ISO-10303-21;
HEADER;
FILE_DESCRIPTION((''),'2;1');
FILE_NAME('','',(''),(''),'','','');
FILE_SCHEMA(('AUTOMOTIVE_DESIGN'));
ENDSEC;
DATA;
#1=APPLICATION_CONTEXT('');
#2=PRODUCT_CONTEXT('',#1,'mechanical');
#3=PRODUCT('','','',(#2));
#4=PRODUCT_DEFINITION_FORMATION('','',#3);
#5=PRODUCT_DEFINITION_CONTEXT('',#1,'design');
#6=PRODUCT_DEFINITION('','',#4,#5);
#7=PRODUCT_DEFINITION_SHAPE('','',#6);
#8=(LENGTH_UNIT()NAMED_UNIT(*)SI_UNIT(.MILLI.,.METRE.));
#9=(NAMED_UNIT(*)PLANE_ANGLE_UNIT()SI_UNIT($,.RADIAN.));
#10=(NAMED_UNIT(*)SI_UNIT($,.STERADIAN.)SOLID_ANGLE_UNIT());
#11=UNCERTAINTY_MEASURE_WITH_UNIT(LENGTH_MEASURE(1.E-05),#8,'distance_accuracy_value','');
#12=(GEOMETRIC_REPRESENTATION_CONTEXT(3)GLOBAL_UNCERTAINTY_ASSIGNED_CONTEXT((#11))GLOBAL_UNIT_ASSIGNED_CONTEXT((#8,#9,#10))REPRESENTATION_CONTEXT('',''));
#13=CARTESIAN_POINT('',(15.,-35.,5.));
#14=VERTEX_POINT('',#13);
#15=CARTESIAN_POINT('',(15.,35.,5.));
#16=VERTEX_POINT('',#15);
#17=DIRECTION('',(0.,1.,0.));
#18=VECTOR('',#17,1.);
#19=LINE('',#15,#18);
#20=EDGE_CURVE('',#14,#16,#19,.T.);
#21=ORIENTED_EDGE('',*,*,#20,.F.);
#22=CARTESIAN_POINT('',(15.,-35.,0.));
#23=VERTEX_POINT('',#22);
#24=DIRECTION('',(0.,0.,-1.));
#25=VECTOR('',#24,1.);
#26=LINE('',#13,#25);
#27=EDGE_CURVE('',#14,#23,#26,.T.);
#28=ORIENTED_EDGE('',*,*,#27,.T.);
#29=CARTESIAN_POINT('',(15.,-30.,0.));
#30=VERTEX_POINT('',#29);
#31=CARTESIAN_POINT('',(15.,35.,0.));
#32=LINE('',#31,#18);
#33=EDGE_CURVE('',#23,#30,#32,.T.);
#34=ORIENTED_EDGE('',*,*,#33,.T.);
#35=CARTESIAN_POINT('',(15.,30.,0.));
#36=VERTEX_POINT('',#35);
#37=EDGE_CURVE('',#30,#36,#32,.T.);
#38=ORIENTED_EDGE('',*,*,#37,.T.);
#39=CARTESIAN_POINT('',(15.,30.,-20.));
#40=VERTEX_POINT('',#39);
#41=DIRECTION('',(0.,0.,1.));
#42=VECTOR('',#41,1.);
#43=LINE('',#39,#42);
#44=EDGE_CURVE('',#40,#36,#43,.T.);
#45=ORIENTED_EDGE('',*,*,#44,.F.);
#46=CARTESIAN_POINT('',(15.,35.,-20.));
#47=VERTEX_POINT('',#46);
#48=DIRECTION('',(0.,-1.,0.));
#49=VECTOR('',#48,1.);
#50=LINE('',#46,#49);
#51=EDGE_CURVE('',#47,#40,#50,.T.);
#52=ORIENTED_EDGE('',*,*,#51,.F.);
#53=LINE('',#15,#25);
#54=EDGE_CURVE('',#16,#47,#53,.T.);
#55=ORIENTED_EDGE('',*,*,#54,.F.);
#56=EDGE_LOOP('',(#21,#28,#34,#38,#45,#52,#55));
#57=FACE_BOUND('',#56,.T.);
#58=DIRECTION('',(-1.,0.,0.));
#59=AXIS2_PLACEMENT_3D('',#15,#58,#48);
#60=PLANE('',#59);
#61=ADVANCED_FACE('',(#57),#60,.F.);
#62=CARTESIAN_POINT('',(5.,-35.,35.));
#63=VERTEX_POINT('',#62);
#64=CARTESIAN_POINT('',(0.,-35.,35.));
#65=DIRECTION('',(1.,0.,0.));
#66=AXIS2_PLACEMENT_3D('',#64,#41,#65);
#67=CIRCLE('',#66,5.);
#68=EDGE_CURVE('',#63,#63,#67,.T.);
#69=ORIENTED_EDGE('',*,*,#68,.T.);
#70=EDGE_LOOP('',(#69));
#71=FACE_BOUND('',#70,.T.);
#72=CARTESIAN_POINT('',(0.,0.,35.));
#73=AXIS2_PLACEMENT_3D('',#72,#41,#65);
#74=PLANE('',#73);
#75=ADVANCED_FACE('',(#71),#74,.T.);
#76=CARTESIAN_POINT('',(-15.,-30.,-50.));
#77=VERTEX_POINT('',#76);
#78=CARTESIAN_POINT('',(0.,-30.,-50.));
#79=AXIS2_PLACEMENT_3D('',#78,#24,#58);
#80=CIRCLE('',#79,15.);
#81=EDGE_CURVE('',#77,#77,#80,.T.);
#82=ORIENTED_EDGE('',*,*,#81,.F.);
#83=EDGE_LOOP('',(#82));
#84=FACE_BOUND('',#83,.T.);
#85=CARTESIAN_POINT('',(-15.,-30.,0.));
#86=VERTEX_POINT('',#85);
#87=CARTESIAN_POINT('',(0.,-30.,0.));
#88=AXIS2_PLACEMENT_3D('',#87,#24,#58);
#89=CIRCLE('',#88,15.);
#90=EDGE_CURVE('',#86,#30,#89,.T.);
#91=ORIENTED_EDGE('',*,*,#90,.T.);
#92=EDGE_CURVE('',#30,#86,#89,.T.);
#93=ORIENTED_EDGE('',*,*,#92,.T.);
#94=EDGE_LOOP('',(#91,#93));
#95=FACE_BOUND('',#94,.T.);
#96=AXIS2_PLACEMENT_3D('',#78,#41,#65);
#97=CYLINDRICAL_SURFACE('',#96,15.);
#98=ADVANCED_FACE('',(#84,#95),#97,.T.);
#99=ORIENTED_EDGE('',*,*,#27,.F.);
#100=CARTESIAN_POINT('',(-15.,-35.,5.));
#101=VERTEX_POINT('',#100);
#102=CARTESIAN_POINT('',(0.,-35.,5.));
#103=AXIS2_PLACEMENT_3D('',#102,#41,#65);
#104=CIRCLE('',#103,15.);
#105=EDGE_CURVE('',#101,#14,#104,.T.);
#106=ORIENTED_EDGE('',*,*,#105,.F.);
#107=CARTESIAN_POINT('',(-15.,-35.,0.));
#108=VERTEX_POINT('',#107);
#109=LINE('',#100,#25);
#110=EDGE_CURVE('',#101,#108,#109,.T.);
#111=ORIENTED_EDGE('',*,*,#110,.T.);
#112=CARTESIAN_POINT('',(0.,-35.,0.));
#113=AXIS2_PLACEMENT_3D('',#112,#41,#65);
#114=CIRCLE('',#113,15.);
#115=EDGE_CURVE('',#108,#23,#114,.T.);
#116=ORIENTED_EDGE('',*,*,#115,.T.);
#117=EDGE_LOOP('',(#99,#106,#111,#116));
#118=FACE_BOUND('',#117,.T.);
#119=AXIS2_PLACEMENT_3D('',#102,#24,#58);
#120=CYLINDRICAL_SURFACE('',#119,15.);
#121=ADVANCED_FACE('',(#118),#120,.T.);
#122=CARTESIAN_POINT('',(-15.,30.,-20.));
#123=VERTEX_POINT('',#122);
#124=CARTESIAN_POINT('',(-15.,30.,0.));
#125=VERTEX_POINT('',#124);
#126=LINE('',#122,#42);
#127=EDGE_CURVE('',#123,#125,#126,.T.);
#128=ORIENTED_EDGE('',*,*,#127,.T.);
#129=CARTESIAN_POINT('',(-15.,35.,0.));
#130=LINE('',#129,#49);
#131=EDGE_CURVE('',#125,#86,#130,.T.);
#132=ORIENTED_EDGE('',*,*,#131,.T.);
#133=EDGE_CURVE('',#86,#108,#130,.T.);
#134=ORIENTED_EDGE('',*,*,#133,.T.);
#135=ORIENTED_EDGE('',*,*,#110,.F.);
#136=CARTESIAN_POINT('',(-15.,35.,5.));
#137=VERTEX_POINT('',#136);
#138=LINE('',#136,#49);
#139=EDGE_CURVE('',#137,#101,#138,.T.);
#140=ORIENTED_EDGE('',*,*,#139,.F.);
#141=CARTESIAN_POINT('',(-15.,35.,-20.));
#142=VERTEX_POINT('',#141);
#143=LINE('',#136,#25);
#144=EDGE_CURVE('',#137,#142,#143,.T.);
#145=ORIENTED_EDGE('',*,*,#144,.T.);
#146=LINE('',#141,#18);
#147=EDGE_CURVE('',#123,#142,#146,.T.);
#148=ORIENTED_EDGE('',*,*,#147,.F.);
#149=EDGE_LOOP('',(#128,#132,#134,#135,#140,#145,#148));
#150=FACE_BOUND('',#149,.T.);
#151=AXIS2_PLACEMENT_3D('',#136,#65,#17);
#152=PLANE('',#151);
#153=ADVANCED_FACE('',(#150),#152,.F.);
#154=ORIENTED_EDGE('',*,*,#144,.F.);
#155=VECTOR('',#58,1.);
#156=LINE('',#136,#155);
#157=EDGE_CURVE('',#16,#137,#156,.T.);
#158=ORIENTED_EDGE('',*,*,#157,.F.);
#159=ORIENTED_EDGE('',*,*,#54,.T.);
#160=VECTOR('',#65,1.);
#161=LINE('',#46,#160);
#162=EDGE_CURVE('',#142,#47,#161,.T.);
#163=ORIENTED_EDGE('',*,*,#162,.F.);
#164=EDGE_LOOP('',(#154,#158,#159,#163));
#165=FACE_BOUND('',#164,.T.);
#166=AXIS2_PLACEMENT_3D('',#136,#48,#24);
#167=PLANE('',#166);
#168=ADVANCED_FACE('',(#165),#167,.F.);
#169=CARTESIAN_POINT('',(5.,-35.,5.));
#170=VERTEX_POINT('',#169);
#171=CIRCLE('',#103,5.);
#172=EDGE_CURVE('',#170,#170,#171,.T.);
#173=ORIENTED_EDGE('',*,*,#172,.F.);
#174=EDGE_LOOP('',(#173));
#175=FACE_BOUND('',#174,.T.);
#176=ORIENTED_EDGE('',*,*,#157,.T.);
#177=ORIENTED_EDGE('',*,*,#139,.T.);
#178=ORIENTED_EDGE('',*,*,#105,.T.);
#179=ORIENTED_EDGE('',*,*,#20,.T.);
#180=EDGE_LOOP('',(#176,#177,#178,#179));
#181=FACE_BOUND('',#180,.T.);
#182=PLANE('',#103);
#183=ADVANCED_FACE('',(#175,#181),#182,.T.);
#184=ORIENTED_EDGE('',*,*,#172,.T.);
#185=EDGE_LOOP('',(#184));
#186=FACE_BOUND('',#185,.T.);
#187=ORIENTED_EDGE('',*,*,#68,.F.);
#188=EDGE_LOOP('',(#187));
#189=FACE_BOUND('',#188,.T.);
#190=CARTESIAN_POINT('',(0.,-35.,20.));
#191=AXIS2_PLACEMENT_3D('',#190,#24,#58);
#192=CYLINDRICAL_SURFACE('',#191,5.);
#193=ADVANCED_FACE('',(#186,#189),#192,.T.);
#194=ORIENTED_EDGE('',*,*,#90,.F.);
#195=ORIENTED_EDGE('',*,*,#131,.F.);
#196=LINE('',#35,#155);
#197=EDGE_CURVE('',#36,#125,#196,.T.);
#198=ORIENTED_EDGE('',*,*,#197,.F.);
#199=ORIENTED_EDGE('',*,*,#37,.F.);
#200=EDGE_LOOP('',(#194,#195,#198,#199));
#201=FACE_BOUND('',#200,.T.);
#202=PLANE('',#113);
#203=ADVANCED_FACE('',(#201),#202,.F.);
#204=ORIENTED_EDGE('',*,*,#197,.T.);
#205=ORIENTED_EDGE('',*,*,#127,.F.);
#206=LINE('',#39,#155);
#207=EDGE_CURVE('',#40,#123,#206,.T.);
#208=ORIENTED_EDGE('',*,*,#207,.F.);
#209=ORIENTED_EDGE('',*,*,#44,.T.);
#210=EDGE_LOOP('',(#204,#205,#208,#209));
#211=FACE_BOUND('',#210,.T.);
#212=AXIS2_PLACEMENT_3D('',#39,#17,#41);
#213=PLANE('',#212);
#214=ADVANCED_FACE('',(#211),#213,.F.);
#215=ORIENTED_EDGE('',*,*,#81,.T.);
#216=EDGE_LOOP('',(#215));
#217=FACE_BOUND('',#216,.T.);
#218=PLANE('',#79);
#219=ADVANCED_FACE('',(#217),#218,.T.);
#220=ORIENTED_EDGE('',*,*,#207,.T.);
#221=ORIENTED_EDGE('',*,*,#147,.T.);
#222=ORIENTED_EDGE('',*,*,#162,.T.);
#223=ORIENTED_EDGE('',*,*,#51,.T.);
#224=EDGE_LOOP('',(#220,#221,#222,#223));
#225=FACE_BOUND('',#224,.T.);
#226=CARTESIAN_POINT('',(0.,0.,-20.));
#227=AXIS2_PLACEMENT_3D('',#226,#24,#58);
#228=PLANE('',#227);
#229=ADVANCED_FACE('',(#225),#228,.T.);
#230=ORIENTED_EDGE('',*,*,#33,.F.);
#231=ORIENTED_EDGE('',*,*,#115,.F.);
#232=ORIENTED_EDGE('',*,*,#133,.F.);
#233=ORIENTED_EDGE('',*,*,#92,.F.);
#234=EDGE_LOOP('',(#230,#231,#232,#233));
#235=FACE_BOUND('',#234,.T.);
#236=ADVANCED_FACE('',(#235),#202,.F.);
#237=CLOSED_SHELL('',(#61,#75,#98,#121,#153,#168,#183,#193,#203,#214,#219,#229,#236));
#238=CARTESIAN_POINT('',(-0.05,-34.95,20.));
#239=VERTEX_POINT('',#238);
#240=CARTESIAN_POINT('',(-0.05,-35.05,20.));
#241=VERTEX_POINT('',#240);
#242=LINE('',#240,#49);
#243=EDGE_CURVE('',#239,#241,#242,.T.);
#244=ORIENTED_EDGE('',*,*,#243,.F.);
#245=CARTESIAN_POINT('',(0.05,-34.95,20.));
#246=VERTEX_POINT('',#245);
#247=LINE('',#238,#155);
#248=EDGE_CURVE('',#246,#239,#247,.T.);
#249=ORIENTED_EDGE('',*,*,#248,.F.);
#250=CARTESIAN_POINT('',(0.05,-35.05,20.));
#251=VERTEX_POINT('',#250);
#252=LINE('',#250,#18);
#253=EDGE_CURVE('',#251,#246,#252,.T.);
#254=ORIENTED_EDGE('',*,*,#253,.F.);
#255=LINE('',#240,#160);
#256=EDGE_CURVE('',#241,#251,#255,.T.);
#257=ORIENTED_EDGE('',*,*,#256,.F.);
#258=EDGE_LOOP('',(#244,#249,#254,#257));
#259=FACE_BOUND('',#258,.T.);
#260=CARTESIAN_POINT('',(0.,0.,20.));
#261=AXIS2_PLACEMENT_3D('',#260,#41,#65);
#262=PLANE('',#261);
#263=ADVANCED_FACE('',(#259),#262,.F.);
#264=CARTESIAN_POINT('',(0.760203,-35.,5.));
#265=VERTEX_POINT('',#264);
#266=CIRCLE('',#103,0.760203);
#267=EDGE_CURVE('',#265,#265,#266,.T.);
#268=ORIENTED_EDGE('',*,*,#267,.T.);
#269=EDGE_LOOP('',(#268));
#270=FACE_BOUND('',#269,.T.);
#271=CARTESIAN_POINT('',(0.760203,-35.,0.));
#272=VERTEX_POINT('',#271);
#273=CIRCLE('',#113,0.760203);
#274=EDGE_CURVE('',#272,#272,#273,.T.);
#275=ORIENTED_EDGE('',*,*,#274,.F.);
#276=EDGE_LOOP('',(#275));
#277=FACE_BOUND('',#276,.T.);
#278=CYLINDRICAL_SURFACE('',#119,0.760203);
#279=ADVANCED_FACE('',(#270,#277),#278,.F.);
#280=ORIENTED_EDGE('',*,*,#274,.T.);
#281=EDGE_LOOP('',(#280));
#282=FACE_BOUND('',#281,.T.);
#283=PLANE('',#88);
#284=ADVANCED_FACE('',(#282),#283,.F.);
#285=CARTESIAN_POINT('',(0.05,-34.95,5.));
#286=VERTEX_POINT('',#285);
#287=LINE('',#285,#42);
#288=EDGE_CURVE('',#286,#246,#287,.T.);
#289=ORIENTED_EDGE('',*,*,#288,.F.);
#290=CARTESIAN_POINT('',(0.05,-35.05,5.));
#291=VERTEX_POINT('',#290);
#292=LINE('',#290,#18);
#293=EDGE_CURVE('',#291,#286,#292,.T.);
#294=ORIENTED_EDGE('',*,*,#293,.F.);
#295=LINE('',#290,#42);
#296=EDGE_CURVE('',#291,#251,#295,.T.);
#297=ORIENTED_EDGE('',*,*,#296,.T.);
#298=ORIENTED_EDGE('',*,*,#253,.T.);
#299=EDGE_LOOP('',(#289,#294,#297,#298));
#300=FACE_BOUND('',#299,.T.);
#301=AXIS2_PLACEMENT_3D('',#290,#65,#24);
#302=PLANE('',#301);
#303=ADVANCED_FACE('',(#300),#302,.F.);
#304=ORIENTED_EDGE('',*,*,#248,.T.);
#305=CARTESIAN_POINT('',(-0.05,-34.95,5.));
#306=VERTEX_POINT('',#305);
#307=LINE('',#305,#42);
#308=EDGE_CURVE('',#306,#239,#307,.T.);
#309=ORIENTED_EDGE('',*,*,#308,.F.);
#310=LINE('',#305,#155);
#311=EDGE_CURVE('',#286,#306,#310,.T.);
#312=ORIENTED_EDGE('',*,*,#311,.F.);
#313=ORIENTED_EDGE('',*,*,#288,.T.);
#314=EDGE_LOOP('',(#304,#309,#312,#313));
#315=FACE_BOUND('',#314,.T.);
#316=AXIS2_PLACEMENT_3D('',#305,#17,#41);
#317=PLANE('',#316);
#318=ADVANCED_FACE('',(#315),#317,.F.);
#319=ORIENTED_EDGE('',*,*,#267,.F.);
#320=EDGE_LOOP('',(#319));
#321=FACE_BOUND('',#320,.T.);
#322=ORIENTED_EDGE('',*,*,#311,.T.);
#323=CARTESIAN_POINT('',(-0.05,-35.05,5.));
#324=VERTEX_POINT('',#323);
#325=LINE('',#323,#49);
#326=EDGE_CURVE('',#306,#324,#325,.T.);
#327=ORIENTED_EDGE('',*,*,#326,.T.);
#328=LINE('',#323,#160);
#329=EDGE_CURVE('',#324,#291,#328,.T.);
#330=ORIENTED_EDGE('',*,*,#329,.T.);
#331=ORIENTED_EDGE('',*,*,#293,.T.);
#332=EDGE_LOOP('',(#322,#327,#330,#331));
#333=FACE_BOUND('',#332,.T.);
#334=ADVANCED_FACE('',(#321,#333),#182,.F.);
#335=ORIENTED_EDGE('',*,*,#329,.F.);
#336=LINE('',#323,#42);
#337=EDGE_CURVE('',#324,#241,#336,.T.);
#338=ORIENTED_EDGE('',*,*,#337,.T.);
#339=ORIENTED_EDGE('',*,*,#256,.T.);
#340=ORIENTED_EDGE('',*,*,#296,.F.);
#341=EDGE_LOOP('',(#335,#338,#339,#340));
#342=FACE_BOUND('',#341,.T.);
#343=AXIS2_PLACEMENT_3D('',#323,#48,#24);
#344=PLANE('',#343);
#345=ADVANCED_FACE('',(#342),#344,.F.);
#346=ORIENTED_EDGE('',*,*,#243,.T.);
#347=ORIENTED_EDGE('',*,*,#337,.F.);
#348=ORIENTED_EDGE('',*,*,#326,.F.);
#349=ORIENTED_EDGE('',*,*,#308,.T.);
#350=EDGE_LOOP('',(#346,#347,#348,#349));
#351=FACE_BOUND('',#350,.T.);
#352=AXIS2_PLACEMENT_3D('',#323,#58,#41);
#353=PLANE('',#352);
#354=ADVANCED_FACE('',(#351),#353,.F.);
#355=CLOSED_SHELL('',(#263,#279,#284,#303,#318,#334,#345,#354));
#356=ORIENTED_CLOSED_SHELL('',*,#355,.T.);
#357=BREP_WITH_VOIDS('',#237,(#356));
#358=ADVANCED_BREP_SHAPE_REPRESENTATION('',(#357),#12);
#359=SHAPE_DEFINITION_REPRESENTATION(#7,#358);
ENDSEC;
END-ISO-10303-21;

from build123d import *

# Parameters (mm, degrees)
ESQUISSE1_R             = 0.76020263
BOSS_EXTRU_1_DEPTH      = 5
ESQUISSE2_W             = 30
ESQUISSE2_H             = 5
BOSS_EXTRU_2_DEPTH      = 20
ESQUISSE4_R             = 5
BOSS_EXTRU_3_DEPTH      = 15
ESQUISSE5_R             = 15
BOSS_EXTRU_4_DEPTH      = 50
ESQUISSE8_W             = 0.1
ESQUISSE8_H             = 0.1
ENL_V_MAT_EXTRU_1_DEPTH = 15
ESQUISSE7_R             = 5
BOSS_EXTRU_6_DEPTH      = 15


with BuildPart() as part:
    # Esquisse1 → Boss.-Extru.1 (new body)
    with BuildSketch(Plane.XY):
        with BuildLine():
            Line((-15, 35), (15, 35))
            Line((15, 35), (15, -34.999999772))
            ThreePointArc((15, -34.999999772), (1.14e-07, -49.999999886), (-15, -35))
            Line((-15, -35), (-15, 35))
        make_face()
        with Locations((0, -34.999999886)):
            Circle(ESQUISSE1_R, mode=Mode.SUBTRACT)
    extrude(amount=BOSS_EXTRU_1_DEPTH)

    # Esquisse2 → Boss.-Extru.2 (add)
    with BuildSketch(Plane(origin=(0, 0, 0), x_dir=(-1, 0, 0), z_dir=(0, 0, -1))):
        with Locations((0, 32.5)):
            Rectangle(ESQUISSE2_W, ESQUISSE2_H)
    extrude(amount=BOSS_EXTRU_2_DEPTH)

    # Esquisse4 → Boss.-Extru.3 (add)
    with BuildSketch(Plane.XY.offset(5)):
        with Locations((0, -34.999999886)):
            Circle(ESQUISSE4_R)
    extrude(amount=BOSS_EXTRU_3_DEPTH)

    # Esquisse5 → Boss.-Extru.4 (add)
    with BuildSketch(Plane(origin=(0, 0, 0), x_dir=(-1, 0, 0), z_dir=(0, 0, -1))):
        with Locations((0, -30)):
            Circle(ESQUISSE5_R)
    extrude(amount=BOSS_EXTRU_4_DEPTH)

    # Esquisse8 → Enlèv. mat.-Extru.1 (cut)
    with BuildSketch(Plane.XY.offset(20)):
        with Locations((0, -34.999999886)):
            Rectangle(ESQUISSE8_W, ESQUISSE8_H)
    extrude(amount=-ENL_V_MAT_EXTRU_1_DEPTH, mode=Mode.SUBTRACT)

    # Esquisse7 → Boss.-Extru.6 (add)
    with BuildSketch(Plane.XY.offset(20)):
        with Locations((0, -34.999999886)):
            Circle(ESQUISSE7_R)
    extrude(amount=BOSS_EXTRU_6_DEPTH)


solid = part.part
